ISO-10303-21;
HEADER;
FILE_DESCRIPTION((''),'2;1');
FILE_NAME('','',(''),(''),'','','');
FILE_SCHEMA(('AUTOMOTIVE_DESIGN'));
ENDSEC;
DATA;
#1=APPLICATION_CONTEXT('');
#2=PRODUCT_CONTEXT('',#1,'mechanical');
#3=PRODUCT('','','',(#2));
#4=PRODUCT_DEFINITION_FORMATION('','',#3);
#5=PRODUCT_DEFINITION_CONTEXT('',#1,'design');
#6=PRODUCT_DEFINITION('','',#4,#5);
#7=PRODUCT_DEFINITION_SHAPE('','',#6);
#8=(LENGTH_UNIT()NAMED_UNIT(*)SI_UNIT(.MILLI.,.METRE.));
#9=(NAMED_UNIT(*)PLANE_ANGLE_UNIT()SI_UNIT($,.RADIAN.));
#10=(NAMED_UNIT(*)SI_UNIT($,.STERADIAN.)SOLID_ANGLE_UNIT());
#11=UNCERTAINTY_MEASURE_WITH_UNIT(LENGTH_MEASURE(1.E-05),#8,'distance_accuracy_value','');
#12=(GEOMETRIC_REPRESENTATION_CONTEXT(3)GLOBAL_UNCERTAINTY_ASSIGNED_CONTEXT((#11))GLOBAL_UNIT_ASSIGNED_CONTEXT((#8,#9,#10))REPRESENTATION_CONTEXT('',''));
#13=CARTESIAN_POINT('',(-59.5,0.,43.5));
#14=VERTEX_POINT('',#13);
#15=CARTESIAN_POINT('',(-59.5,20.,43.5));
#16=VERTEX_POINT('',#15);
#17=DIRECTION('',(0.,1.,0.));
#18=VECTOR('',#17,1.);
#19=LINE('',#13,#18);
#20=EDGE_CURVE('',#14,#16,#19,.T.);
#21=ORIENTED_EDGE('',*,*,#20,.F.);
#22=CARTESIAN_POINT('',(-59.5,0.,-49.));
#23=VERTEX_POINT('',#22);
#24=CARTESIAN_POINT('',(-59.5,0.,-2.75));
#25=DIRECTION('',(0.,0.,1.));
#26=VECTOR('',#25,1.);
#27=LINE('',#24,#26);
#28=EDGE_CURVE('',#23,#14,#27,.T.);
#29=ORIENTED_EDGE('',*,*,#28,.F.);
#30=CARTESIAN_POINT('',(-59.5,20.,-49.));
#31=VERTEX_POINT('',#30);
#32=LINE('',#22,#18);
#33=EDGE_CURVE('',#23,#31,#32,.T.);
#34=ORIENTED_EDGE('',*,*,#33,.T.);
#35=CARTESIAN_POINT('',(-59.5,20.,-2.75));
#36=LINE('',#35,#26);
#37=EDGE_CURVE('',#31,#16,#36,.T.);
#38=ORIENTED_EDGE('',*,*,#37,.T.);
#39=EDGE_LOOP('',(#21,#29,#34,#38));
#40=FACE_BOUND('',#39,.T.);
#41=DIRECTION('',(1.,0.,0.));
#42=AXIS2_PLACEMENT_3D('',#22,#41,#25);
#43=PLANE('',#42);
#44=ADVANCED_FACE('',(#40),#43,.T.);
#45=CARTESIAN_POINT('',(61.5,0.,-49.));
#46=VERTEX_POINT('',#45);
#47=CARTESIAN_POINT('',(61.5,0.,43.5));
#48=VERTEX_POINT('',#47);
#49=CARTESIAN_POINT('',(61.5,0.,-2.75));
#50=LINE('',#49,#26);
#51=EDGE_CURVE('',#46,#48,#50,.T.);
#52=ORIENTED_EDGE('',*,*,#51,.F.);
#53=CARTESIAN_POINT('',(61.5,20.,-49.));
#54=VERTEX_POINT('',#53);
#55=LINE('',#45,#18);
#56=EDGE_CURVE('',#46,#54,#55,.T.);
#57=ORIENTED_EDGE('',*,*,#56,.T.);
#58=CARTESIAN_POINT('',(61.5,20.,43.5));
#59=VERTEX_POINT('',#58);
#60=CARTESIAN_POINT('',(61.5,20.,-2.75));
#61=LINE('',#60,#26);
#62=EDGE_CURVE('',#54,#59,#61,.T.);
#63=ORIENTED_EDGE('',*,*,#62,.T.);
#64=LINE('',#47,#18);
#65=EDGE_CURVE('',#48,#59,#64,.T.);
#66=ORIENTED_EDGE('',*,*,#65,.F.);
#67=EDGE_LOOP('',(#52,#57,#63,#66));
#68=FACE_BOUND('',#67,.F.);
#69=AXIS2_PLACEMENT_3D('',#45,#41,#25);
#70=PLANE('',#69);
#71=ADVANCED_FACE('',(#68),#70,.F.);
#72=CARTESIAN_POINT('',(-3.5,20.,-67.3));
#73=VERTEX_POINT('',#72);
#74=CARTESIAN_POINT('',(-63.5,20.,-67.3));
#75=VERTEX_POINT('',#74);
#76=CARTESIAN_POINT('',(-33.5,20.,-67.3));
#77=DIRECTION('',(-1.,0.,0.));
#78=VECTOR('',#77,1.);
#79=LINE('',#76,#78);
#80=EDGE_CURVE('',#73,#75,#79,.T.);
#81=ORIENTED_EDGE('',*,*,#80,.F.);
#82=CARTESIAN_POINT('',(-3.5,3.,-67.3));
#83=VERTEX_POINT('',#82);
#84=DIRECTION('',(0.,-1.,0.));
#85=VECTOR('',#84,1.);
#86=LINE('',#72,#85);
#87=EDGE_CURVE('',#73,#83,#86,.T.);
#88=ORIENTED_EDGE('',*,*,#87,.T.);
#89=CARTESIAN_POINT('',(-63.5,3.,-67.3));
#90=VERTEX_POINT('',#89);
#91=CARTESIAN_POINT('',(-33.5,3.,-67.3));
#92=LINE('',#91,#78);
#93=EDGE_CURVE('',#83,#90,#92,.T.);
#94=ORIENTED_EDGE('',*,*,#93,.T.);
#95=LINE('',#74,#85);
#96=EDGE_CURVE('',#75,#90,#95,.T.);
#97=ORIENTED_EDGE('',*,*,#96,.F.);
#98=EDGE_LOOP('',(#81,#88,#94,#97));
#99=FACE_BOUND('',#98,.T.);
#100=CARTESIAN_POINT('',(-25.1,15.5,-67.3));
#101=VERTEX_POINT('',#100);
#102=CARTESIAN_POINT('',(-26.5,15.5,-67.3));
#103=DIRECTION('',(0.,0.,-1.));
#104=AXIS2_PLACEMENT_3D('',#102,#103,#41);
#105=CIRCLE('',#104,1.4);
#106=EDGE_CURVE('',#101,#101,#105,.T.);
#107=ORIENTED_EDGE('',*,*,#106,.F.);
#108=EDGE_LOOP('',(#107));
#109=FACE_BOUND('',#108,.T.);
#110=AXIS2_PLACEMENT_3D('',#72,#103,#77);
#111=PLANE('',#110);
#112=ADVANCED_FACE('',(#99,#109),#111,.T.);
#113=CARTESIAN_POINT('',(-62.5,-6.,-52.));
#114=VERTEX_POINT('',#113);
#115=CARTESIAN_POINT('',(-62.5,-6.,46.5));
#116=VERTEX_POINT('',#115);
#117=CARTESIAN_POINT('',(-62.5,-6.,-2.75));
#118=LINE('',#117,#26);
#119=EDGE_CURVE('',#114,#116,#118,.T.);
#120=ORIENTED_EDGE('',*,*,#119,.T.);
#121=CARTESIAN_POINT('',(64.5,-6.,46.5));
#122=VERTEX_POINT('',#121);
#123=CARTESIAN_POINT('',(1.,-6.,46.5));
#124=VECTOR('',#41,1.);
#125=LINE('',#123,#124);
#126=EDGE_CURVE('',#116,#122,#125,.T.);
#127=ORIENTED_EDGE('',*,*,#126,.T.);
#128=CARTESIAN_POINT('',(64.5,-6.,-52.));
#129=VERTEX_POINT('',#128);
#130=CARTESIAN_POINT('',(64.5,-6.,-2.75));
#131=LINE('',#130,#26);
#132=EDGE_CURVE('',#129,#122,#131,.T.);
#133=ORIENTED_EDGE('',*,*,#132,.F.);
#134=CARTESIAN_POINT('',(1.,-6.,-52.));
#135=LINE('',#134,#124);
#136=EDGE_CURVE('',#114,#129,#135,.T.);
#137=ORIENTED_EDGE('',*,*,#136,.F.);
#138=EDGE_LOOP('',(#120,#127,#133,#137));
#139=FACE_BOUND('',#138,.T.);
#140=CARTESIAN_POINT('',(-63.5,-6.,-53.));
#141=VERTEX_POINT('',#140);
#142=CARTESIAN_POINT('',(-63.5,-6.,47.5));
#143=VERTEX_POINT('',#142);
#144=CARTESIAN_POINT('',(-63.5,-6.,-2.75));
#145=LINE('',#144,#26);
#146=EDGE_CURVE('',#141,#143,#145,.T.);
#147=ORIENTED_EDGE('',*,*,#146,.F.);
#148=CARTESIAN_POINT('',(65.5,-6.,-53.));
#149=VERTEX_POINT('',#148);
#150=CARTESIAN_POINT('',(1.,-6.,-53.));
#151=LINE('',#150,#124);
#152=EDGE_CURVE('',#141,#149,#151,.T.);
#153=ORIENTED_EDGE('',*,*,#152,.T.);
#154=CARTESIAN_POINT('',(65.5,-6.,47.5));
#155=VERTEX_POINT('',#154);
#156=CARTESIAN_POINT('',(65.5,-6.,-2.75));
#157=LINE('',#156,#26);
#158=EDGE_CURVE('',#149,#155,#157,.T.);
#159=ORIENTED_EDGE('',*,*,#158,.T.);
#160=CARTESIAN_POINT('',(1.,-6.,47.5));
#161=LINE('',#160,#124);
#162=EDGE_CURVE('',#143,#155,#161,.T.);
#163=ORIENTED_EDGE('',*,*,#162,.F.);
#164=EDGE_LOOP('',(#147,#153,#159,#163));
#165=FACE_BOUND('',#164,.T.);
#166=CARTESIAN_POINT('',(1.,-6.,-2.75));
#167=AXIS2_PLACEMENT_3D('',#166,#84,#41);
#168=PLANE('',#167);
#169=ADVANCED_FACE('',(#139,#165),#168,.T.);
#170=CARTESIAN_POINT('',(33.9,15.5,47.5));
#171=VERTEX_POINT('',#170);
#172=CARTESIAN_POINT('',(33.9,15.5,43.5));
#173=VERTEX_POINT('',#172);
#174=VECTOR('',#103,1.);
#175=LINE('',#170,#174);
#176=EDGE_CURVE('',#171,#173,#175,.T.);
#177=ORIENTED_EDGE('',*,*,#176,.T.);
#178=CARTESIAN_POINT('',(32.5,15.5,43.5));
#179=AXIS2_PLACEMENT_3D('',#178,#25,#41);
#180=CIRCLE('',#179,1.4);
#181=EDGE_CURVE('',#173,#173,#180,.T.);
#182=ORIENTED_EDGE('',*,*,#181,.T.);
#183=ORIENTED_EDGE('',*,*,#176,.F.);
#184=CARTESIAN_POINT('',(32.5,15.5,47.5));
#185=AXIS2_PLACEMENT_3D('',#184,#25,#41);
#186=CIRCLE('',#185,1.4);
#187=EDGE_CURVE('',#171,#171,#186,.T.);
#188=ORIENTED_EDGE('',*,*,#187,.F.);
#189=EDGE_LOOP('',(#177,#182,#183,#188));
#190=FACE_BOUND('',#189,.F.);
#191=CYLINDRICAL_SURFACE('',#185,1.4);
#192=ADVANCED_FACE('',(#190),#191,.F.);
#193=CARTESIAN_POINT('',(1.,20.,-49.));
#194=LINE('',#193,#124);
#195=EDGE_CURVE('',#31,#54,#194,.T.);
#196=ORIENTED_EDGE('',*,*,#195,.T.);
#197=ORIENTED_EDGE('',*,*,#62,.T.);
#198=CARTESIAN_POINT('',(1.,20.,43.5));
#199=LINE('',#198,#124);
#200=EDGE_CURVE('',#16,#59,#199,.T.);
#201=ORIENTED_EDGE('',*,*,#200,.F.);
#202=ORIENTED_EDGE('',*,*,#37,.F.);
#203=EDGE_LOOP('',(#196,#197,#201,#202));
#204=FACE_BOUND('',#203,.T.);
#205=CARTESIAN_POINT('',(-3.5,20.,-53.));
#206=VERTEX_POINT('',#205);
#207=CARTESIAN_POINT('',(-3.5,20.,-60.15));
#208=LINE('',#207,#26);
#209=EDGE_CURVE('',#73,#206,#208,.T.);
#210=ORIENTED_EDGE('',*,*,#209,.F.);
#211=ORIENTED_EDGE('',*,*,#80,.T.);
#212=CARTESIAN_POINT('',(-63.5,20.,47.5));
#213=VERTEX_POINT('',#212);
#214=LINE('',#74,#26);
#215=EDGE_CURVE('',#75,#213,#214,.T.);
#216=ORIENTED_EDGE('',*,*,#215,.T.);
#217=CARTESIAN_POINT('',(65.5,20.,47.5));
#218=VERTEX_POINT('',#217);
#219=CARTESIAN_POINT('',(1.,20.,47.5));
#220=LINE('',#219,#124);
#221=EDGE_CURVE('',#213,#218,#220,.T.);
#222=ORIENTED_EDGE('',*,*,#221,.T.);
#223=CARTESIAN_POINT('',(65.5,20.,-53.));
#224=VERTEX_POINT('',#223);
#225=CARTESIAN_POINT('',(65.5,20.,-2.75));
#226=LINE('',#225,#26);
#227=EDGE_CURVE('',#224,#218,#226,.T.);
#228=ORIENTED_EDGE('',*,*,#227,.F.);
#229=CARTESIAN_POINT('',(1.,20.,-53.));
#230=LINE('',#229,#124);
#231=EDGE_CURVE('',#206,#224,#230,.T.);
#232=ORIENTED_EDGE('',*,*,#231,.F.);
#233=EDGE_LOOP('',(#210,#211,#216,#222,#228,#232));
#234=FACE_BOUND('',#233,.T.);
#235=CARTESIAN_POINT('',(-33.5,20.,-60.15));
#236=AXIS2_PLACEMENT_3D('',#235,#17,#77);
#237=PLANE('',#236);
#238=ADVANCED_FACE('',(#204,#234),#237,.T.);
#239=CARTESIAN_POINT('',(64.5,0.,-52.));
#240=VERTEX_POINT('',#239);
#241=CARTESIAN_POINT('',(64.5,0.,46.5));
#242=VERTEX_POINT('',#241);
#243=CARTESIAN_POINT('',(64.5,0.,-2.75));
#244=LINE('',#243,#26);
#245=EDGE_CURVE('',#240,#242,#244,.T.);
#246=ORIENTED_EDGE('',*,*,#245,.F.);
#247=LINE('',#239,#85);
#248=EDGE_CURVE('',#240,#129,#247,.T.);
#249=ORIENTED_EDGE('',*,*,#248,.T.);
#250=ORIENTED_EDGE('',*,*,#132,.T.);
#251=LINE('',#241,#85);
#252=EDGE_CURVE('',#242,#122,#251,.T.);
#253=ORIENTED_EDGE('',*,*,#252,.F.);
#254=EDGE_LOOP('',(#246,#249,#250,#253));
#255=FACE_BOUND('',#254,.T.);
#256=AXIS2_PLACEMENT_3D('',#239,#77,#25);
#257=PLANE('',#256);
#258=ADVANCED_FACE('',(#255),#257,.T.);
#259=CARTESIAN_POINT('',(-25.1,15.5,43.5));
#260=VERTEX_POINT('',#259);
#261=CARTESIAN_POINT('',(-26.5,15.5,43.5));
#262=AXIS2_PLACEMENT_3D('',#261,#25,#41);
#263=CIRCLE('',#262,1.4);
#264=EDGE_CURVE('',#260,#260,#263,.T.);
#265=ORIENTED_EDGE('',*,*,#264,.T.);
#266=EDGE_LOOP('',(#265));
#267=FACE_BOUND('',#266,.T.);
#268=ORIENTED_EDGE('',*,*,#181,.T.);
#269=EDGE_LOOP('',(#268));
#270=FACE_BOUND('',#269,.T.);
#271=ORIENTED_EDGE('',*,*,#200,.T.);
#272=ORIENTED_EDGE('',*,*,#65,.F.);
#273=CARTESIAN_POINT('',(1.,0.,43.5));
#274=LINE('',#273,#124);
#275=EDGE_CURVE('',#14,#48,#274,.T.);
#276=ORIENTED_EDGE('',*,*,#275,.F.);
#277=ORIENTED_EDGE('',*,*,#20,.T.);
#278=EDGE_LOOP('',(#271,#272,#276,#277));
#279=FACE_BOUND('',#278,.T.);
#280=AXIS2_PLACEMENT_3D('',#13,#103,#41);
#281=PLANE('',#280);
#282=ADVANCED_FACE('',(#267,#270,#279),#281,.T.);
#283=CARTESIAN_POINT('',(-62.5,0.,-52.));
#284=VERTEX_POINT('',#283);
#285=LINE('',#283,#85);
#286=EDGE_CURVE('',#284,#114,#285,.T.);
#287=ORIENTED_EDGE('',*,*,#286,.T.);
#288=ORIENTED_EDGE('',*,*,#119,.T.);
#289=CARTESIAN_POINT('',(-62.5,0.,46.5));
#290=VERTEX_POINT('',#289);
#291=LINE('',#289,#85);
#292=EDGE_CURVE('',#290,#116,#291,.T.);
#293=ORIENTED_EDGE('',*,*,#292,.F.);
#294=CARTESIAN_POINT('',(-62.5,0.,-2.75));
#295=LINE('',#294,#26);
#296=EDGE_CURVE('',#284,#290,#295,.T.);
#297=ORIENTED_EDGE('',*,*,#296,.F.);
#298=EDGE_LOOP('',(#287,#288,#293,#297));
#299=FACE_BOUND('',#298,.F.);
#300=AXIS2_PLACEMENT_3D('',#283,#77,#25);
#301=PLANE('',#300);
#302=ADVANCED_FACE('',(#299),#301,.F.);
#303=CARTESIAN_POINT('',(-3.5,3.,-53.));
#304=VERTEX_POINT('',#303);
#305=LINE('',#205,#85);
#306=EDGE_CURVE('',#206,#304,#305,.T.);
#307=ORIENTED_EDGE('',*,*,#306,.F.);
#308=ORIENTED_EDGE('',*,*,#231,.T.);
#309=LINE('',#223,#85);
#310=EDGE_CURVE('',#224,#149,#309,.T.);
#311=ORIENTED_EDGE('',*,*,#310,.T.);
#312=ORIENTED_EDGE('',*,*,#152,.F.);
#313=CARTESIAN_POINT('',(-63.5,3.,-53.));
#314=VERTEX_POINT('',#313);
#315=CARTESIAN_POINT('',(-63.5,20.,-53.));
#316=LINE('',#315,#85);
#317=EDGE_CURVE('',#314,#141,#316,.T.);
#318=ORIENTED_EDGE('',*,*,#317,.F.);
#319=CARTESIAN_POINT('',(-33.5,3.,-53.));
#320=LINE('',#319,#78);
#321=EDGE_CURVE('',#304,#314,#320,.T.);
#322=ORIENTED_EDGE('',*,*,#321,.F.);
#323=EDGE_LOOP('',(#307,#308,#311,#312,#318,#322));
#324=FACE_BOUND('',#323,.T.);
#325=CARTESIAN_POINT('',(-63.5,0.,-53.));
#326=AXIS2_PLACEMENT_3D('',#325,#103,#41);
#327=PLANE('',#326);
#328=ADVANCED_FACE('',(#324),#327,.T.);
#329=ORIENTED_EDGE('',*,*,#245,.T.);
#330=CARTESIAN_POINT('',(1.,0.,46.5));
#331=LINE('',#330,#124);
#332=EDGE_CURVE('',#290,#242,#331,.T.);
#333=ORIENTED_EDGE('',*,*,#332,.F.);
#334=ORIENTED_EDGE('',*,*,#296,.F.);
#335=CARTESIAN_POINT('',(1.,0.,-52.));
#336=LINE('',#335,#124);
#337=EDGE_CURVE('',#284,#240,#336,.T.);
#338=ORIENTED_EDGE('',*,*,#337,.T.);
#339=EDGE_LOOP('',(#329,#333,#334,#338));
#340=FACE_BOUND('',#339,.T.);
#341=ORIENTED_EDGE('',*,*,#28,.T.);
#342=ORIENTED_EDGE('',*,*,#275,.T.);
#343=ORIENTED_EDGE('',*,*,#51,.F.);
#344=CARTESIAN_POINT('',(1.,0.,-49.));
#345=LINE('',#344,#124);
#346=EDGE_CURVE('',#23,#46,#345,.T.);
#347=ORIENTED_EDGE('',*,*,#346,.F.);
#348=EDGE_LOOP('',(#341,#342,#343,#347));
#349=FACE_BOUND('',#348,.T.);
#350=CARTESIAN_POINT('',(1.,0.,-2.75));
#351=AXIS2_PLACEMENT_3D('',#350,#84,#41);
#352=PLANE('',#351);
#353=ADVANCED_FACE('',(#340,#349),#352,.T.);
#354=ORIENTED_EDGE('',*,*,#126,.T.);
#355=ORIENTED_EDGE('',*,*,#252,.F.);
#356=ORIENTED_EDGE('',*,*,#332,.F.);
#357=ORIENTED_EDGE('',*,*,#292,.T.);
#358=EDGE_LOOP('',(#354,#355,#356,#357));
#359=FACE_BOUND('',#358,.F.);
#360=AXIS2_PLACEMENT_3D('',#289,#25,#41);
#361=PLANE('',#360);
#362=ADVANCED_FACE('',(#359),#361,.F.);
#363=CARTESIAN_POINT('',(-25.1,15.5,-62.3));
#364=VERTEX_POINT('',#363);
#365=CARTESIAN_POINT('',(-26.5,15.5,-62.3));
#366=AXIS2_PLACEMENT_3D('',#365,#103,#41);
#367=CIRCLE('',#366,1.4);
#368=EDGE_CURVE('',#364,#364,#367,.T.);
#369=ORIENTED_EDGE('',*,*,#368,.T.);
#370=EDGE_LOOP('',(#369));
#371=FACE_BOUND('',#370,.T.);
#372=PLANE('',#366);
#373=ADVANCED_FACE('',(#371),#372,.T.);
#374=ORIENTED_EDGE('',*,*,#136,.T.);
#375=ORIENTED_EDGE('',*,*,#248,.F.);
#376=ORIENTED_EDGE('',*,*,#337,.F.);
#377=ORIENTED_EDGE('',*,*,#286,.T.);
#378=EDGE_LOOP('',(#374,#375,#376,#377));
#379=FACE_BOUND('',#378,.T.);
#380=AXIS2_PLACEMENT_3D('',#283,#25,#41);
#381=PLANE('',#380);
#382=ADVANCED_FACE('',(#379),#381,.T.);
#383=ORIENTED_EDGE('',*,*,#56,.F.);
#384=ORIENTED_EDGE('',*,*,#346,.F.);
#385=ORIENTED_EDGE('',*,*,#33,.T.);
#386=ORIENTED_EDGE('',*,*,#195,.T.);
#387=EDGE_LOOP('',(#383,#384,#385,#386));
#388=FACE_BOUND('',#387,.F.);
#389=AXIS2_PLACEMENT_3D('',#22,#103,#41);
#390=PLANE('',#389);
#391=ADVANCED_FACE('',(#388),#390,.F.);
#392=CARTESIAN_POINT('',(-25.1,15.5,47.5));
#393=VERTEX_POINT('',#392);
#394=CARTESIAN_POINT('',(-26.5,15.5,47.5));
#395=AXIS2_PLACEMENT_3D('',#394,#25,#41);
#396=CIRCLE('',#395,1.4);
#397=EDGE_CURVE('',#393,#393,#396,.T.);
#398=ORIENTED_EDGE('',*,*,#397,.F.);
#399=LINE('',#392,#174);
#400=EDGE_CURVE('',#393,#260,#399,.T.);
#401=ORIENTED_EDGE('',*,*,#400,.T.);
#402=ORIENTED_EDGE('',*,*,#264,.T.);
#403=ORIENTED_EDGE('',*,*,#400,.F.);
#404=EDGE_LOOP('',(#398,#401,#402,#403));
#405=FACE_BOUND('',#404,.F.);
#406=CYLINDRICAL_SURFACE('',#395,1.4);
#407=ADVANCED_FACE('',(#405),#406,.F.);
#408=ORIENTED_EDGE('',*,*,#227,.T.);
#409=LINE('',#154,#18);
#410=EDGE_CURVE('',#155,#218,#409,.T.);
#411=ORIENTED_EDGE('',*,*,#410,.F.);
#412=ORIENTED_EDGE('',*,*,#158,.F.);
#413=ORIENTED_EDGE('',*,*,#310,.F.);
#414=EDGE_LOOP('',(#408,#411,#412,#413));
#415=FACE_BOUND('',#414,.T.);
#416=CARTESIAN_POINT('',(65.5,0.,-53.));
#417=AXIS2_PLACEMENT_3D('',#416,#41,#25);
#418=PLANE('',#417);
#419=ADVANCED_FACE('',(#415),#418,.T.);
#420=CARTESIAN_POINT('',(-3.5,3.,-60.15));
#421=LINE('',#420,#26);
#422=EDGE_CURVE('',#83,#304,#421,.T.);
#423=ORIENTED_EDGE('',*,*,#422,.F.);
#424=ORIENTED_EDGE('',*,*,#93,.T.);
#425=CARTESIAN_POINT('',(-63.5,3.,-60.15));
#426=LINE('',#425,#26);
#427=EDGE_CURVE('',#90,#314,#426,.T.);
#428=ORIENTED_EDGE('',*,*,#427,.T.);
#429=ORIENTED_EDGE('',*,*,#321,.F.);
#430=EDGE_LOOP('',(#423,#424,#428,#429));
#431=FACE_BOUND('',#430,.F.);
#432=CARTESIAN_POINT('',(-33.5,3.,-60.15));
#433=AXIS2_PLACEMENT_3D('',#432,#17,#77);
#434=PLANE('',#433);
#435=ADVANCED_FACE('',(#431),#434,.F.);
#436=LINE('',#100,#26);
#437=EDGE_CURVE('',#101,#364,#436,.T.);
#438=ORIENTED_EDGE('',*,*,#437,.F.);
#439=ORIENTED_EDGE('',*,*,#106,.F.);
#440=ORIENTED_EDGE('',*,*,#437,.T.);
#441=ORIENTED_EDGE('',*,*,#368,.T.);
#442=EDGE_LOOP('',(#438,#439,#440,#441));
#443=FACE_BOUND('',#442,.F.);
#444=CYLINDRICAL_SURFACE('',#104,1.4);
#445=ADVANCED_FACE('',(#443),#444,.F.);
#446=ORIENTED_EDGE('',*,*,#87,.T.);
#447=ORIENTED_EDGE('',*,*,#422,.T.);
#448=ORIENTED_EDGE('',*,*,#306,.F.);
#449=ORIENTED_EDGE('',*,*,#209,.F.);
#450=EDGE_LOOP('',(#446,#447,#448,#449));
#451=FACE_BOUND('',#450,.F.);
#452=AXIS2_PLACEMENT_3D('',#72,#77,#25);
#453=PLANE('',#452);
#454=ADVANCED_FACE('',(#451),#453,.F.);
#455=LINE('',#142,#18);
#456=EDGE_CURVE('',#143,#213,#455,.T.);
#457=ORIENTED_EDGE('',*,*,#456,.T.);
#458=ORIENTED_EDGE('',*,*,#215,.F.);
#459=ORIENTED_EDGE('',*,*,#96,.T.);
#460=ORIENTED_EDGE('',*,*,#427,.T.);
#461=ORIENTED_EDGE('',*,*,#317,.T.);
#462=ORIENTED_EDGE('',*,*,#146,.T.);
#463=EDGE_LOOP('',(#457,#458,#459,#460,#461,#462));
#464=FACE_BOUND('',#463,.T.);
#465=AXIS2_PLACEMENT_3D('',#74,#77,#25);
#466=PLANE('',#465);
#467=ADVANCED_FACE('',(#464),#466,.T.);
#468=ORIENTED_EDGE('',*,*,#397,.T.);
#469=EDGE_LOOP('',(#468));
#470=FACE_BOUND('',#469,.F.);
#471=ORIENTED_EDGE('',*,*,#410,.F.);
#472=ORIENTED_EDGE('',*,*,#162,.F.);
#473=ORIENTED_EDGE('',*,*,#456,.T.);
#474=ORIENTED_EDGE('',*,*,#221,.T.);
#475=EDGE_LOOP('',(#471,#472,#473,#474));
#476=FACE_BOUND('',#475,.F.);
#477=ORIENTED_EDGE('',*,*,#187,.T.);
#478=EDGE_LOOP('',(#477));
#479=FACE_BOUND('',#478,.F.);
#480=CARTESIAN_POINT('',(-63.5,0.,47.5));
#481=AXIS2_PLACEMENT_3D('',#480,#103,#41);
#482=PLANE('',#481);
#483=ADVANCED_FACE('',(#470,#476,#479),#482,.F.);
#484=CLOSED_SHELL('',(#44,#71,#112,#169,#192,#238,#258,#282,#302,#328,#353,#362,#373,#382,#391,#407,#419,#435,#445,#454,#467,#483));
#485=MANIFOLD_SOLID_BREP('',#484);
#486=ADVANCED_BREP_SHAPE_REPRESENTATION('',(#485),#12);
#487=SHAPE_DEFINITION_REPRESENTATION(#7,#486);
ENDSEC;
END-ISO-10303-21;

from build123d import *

# Parameters (mm, degrees)
F1_W      = 129
F1_H      = 100.5
F1_W_2    = 127
F1_H_2    = 98.5
F2_DEPTH  = 6
F3_W      = 129
F3_H      = 100.5
F3_W_2    = 121
F3_H_2    = 92.5
F4_DEPTH  = 20
F5_W      = 60
F5_H      = 14.3
F6_DEPTH  = 17
F7_R      = 1.4
F8_DEPTH  = 7.9
F9_R      = 1.4
F10_DEPTH = 5


with BuildPart() as f2:
    # F1 (on Front) → F2 (new body)
    with BuildSketch(Plane.XZ):
        with Locations((1, -2.75)):
            Rectangle(F1_W, F1_H)
        with Locations((1, -2.75)):
            Rectangle(F1_W_2, F1_H_2, mode=Mode.SUBTRACT)
    extrude(amount=F2_DEPTH)

    # F3 (on Front) → F4 (join)
    with BuildSketch(Plane.XZ):
        with Locations((1, -2.75)):
            Rectangle(F3_W, F3_H)
        with Locations((1, -2.75)):
            Rectangle(F3_W_2, F3_H_2, mode=Mode.SUBTRACT)
    extrude(amount=-F4_DEPTH)

    # F5 (on face) → F6 (join)
    with BuildSketch(Plane(origin=(0, 20, 0), x_dir=(-1, 0, 0), z_dir=(0, 1, 0))):
        with Locations((33.5, -60.15)):
            Rectangle(F5_W, F5_H)
    extrude(amount=-F6_DEPTH)

    # F7 (on face) → F8 (cut)
    with BuildSketch(Plane.XY.offset(47.5)):
        with Locations((-26.5, 15.5)):
            Circle(F7_R)
        with Locations((32.5, 15.5)):
            Circle(F7_R)
    extrude(amount=-F8_DEPTH, mode=Mode.SUBTRACT)

    # F9 (on face) → F10 (cut)
    with BuildSketch(Plane(origin=(0, 0, -67.3), x_dir=(1, 0, 0), z_dir=(0, 0, -1))):
        with Locations((-26.5, -15.5)):
            Circle(F9_R)
    extrude(amount=-F10_DEPTH, mode=Mode.SUBTRACT)


solid = f2.part
